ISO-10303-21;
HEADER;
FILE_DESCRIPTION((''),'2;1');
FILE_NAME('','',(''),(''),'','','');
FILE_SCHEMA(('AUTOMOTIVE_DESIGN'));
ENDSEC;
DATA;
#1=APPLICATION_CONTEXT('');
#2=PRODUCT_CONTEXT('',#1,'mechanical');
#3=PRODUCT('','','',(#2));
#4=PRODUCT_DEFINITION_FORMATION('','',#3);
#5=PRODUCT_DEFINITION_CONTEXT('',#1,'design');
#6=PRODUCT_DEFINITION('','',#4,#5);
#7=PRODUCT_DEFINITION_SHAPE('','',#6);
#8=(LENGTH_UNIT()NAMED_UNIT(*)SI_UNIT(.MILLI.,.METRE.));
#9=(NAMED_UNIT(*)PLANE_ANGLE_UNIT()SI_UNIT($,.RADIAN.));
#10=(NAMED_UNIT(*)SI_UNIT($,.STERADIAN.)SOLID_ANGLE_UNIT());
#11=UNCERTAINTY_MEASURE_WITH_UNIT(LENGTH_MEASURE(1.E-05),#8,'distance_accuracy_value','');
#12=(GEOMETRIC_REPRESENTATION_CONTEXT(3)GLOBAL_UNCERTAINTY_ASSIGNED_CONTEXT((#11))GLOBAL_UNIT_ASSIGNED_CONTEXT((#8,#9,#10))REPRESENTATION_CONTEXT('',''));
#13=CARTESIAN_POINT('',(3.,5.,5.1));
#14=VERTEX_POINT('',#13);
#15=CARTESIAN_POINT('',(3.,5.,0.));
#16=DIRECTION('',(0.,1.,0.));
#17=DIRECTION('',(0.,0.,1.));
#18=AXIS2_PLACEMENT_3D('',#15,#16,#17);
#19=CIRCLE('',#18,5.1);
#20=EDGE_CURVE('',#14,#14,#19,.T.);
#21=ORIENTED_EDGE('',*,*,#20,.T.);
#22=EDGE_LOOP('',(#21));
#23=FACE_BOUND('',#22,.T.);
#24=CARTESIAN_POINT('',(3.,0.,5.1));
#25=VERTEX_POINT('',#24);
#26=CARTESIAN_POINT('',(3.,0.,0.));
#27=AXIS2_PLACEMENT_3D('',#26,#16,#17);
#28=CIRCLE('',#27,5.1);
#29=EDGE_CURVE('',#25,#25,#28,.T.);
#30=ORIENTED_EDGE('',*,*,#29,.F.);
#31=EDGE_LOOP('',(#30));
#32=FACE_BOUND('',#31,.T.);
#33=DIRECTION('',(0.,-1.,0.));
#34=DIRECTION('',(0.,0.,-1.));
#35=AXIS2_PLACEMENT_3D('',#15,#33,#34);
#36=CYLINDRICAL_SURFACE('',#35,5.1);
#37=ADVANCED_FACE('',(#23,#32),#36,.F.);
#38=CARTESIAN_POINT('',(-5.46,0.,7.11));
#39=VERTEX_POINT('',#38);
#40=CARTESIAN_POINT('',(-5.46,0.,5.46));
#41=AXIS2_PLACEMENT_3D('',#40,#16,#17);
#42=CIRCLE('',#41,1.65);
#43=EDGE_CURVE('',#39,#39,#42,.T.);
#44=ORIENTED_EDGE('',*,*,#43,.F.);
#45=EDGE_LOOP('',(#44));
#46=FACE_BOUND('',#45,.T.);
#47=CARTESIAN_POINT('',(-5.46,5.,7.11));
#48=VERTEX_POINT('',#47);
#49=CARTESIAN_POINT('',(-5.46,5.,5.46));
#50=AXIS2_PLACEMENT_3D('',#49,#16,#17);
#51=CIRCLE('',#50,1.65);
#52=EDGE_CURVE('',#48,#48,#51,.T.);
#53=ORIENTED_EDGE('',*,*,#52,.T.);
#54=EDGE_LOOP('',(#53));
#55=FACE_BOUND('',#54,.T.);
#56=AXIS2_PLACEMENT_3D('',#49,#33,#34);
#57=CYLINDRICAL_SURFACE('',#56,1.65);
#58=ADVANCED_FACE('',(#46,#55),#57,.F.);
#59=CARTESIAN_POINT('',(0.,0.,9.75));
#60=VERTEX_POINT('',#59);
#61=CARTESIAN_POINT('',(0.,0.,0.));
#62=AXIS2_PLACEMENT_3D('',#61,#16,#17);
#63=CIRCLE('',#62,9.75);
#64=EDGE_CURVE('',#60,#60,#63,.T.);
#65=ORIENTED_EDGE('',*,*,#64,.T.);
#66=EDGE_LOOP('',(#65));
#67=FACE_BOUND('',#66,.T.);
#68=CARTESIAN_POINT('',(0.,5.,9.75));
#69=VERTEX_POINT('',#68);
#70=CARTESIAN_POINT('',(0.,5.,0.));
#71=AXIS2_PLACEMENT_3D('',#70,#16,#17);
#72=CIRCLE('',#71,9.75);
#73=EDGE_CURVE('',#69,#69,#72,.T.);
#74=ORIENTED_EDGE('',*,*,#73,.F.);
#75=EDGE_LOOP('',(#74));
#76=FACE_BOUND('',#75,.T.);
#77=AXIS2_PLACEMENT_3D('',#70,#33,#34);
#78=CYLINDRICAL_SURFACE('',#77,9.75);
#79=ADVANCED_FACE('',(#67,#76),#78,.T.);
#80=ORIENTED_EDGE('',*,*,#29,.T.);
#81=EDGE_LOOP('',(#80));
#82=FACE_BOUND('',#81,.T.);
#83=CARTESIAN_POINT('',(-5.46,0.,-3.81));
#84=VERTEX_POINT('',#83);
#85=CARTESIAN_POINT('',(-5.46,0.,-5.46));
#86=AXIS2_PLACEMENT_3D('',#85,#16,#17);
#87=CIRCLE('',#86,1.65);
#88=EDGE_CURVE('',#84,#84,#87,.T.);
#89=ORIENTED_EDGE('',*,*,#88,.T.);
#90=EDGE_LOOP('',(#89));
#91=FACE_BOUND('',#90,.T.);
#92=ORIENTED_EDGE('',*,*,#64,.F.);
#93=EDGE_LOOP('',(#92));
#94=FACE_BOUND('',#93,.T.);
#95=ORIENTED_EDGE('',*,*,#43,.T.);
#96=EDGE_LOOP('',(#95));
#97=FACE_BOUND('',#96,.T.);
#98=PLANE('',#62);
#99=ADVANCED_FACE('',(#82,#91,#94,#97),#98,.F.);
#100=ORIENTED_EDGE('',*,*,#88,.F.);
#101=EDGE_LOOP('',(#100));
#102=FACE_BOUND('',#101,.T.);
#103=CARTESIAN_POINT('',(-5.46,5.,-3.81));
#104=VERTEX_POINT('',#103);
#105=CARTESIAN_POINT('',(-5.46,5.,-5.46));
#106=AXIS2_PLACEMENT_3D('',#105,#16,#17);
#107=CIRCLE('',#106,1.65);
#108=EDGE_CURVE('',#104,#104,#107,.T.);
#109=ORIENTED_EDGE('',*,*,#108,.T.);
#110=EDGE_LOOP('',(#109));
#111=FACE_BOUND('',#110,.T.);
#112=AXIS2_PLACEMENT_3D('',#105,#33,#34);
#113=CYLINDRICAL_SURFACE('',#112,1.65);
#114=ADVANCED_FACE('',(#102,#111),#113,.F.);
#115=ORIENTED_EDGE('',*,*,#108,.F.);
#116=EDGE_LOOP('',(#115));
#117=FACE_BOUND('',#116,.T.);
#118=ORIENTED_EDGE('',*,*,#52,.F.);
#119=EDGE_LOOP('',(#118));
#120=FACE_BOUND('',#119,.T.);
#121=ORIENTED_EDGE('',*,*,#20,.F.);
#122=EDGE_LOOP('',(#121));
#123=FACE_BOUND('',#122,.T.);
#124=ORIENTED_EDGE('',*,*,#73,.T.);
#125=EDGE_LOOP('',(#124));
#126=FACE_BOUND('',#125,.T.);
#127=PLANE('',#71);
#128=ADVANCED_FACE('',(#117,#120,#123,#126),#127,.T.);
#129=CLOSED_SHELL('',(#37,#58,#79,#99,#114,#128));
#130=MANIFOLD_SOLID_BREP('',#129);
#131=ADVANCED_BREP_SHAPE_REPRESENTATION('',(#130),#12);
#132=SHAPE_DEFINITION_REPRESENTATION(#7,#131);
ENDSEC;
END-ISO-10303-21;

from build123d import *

# Parameters (mm, degrees)
SKETCH1_R           = 9.75
SKETCH1_R_2         = 5.1
SKETCH1_R_3         = 1.65
BOSS_EXTRUDE4_DEPTH = 5


with BuildPart() as part:
    # Sketch1 → Boss-Extrude4 (new body)
    with BuildSketch(Plane(origin=(0, 0, 0), x_dir=(1, 0, 0), z_dir=(0, 1, 0))):
        with Locations(Location((0, 0, 0), (0, 0, 270))):
            Circle(SKETCH1_R)
        with Locations(Location((3, 0, 0), (0, 0, 270))):
            Circle(SKETCH1_R_2, mode=Mode.SUBTRACT)
        with Locations(Location((-5.46, 5.46, 0), (0, 0, 270))):
            Circle(SKETCH1_R_3, mode=Mode.SUBTRACT)
        with Locations(Location((-5.46, -5.46, 0), (0, 0, 270))):
            Circle(SKETCH1_R_3, mode=Mode.SUBTRACT)
    extrude(amount=BOSS_EXTRUDE4_DEPTH)


solid = part.part
